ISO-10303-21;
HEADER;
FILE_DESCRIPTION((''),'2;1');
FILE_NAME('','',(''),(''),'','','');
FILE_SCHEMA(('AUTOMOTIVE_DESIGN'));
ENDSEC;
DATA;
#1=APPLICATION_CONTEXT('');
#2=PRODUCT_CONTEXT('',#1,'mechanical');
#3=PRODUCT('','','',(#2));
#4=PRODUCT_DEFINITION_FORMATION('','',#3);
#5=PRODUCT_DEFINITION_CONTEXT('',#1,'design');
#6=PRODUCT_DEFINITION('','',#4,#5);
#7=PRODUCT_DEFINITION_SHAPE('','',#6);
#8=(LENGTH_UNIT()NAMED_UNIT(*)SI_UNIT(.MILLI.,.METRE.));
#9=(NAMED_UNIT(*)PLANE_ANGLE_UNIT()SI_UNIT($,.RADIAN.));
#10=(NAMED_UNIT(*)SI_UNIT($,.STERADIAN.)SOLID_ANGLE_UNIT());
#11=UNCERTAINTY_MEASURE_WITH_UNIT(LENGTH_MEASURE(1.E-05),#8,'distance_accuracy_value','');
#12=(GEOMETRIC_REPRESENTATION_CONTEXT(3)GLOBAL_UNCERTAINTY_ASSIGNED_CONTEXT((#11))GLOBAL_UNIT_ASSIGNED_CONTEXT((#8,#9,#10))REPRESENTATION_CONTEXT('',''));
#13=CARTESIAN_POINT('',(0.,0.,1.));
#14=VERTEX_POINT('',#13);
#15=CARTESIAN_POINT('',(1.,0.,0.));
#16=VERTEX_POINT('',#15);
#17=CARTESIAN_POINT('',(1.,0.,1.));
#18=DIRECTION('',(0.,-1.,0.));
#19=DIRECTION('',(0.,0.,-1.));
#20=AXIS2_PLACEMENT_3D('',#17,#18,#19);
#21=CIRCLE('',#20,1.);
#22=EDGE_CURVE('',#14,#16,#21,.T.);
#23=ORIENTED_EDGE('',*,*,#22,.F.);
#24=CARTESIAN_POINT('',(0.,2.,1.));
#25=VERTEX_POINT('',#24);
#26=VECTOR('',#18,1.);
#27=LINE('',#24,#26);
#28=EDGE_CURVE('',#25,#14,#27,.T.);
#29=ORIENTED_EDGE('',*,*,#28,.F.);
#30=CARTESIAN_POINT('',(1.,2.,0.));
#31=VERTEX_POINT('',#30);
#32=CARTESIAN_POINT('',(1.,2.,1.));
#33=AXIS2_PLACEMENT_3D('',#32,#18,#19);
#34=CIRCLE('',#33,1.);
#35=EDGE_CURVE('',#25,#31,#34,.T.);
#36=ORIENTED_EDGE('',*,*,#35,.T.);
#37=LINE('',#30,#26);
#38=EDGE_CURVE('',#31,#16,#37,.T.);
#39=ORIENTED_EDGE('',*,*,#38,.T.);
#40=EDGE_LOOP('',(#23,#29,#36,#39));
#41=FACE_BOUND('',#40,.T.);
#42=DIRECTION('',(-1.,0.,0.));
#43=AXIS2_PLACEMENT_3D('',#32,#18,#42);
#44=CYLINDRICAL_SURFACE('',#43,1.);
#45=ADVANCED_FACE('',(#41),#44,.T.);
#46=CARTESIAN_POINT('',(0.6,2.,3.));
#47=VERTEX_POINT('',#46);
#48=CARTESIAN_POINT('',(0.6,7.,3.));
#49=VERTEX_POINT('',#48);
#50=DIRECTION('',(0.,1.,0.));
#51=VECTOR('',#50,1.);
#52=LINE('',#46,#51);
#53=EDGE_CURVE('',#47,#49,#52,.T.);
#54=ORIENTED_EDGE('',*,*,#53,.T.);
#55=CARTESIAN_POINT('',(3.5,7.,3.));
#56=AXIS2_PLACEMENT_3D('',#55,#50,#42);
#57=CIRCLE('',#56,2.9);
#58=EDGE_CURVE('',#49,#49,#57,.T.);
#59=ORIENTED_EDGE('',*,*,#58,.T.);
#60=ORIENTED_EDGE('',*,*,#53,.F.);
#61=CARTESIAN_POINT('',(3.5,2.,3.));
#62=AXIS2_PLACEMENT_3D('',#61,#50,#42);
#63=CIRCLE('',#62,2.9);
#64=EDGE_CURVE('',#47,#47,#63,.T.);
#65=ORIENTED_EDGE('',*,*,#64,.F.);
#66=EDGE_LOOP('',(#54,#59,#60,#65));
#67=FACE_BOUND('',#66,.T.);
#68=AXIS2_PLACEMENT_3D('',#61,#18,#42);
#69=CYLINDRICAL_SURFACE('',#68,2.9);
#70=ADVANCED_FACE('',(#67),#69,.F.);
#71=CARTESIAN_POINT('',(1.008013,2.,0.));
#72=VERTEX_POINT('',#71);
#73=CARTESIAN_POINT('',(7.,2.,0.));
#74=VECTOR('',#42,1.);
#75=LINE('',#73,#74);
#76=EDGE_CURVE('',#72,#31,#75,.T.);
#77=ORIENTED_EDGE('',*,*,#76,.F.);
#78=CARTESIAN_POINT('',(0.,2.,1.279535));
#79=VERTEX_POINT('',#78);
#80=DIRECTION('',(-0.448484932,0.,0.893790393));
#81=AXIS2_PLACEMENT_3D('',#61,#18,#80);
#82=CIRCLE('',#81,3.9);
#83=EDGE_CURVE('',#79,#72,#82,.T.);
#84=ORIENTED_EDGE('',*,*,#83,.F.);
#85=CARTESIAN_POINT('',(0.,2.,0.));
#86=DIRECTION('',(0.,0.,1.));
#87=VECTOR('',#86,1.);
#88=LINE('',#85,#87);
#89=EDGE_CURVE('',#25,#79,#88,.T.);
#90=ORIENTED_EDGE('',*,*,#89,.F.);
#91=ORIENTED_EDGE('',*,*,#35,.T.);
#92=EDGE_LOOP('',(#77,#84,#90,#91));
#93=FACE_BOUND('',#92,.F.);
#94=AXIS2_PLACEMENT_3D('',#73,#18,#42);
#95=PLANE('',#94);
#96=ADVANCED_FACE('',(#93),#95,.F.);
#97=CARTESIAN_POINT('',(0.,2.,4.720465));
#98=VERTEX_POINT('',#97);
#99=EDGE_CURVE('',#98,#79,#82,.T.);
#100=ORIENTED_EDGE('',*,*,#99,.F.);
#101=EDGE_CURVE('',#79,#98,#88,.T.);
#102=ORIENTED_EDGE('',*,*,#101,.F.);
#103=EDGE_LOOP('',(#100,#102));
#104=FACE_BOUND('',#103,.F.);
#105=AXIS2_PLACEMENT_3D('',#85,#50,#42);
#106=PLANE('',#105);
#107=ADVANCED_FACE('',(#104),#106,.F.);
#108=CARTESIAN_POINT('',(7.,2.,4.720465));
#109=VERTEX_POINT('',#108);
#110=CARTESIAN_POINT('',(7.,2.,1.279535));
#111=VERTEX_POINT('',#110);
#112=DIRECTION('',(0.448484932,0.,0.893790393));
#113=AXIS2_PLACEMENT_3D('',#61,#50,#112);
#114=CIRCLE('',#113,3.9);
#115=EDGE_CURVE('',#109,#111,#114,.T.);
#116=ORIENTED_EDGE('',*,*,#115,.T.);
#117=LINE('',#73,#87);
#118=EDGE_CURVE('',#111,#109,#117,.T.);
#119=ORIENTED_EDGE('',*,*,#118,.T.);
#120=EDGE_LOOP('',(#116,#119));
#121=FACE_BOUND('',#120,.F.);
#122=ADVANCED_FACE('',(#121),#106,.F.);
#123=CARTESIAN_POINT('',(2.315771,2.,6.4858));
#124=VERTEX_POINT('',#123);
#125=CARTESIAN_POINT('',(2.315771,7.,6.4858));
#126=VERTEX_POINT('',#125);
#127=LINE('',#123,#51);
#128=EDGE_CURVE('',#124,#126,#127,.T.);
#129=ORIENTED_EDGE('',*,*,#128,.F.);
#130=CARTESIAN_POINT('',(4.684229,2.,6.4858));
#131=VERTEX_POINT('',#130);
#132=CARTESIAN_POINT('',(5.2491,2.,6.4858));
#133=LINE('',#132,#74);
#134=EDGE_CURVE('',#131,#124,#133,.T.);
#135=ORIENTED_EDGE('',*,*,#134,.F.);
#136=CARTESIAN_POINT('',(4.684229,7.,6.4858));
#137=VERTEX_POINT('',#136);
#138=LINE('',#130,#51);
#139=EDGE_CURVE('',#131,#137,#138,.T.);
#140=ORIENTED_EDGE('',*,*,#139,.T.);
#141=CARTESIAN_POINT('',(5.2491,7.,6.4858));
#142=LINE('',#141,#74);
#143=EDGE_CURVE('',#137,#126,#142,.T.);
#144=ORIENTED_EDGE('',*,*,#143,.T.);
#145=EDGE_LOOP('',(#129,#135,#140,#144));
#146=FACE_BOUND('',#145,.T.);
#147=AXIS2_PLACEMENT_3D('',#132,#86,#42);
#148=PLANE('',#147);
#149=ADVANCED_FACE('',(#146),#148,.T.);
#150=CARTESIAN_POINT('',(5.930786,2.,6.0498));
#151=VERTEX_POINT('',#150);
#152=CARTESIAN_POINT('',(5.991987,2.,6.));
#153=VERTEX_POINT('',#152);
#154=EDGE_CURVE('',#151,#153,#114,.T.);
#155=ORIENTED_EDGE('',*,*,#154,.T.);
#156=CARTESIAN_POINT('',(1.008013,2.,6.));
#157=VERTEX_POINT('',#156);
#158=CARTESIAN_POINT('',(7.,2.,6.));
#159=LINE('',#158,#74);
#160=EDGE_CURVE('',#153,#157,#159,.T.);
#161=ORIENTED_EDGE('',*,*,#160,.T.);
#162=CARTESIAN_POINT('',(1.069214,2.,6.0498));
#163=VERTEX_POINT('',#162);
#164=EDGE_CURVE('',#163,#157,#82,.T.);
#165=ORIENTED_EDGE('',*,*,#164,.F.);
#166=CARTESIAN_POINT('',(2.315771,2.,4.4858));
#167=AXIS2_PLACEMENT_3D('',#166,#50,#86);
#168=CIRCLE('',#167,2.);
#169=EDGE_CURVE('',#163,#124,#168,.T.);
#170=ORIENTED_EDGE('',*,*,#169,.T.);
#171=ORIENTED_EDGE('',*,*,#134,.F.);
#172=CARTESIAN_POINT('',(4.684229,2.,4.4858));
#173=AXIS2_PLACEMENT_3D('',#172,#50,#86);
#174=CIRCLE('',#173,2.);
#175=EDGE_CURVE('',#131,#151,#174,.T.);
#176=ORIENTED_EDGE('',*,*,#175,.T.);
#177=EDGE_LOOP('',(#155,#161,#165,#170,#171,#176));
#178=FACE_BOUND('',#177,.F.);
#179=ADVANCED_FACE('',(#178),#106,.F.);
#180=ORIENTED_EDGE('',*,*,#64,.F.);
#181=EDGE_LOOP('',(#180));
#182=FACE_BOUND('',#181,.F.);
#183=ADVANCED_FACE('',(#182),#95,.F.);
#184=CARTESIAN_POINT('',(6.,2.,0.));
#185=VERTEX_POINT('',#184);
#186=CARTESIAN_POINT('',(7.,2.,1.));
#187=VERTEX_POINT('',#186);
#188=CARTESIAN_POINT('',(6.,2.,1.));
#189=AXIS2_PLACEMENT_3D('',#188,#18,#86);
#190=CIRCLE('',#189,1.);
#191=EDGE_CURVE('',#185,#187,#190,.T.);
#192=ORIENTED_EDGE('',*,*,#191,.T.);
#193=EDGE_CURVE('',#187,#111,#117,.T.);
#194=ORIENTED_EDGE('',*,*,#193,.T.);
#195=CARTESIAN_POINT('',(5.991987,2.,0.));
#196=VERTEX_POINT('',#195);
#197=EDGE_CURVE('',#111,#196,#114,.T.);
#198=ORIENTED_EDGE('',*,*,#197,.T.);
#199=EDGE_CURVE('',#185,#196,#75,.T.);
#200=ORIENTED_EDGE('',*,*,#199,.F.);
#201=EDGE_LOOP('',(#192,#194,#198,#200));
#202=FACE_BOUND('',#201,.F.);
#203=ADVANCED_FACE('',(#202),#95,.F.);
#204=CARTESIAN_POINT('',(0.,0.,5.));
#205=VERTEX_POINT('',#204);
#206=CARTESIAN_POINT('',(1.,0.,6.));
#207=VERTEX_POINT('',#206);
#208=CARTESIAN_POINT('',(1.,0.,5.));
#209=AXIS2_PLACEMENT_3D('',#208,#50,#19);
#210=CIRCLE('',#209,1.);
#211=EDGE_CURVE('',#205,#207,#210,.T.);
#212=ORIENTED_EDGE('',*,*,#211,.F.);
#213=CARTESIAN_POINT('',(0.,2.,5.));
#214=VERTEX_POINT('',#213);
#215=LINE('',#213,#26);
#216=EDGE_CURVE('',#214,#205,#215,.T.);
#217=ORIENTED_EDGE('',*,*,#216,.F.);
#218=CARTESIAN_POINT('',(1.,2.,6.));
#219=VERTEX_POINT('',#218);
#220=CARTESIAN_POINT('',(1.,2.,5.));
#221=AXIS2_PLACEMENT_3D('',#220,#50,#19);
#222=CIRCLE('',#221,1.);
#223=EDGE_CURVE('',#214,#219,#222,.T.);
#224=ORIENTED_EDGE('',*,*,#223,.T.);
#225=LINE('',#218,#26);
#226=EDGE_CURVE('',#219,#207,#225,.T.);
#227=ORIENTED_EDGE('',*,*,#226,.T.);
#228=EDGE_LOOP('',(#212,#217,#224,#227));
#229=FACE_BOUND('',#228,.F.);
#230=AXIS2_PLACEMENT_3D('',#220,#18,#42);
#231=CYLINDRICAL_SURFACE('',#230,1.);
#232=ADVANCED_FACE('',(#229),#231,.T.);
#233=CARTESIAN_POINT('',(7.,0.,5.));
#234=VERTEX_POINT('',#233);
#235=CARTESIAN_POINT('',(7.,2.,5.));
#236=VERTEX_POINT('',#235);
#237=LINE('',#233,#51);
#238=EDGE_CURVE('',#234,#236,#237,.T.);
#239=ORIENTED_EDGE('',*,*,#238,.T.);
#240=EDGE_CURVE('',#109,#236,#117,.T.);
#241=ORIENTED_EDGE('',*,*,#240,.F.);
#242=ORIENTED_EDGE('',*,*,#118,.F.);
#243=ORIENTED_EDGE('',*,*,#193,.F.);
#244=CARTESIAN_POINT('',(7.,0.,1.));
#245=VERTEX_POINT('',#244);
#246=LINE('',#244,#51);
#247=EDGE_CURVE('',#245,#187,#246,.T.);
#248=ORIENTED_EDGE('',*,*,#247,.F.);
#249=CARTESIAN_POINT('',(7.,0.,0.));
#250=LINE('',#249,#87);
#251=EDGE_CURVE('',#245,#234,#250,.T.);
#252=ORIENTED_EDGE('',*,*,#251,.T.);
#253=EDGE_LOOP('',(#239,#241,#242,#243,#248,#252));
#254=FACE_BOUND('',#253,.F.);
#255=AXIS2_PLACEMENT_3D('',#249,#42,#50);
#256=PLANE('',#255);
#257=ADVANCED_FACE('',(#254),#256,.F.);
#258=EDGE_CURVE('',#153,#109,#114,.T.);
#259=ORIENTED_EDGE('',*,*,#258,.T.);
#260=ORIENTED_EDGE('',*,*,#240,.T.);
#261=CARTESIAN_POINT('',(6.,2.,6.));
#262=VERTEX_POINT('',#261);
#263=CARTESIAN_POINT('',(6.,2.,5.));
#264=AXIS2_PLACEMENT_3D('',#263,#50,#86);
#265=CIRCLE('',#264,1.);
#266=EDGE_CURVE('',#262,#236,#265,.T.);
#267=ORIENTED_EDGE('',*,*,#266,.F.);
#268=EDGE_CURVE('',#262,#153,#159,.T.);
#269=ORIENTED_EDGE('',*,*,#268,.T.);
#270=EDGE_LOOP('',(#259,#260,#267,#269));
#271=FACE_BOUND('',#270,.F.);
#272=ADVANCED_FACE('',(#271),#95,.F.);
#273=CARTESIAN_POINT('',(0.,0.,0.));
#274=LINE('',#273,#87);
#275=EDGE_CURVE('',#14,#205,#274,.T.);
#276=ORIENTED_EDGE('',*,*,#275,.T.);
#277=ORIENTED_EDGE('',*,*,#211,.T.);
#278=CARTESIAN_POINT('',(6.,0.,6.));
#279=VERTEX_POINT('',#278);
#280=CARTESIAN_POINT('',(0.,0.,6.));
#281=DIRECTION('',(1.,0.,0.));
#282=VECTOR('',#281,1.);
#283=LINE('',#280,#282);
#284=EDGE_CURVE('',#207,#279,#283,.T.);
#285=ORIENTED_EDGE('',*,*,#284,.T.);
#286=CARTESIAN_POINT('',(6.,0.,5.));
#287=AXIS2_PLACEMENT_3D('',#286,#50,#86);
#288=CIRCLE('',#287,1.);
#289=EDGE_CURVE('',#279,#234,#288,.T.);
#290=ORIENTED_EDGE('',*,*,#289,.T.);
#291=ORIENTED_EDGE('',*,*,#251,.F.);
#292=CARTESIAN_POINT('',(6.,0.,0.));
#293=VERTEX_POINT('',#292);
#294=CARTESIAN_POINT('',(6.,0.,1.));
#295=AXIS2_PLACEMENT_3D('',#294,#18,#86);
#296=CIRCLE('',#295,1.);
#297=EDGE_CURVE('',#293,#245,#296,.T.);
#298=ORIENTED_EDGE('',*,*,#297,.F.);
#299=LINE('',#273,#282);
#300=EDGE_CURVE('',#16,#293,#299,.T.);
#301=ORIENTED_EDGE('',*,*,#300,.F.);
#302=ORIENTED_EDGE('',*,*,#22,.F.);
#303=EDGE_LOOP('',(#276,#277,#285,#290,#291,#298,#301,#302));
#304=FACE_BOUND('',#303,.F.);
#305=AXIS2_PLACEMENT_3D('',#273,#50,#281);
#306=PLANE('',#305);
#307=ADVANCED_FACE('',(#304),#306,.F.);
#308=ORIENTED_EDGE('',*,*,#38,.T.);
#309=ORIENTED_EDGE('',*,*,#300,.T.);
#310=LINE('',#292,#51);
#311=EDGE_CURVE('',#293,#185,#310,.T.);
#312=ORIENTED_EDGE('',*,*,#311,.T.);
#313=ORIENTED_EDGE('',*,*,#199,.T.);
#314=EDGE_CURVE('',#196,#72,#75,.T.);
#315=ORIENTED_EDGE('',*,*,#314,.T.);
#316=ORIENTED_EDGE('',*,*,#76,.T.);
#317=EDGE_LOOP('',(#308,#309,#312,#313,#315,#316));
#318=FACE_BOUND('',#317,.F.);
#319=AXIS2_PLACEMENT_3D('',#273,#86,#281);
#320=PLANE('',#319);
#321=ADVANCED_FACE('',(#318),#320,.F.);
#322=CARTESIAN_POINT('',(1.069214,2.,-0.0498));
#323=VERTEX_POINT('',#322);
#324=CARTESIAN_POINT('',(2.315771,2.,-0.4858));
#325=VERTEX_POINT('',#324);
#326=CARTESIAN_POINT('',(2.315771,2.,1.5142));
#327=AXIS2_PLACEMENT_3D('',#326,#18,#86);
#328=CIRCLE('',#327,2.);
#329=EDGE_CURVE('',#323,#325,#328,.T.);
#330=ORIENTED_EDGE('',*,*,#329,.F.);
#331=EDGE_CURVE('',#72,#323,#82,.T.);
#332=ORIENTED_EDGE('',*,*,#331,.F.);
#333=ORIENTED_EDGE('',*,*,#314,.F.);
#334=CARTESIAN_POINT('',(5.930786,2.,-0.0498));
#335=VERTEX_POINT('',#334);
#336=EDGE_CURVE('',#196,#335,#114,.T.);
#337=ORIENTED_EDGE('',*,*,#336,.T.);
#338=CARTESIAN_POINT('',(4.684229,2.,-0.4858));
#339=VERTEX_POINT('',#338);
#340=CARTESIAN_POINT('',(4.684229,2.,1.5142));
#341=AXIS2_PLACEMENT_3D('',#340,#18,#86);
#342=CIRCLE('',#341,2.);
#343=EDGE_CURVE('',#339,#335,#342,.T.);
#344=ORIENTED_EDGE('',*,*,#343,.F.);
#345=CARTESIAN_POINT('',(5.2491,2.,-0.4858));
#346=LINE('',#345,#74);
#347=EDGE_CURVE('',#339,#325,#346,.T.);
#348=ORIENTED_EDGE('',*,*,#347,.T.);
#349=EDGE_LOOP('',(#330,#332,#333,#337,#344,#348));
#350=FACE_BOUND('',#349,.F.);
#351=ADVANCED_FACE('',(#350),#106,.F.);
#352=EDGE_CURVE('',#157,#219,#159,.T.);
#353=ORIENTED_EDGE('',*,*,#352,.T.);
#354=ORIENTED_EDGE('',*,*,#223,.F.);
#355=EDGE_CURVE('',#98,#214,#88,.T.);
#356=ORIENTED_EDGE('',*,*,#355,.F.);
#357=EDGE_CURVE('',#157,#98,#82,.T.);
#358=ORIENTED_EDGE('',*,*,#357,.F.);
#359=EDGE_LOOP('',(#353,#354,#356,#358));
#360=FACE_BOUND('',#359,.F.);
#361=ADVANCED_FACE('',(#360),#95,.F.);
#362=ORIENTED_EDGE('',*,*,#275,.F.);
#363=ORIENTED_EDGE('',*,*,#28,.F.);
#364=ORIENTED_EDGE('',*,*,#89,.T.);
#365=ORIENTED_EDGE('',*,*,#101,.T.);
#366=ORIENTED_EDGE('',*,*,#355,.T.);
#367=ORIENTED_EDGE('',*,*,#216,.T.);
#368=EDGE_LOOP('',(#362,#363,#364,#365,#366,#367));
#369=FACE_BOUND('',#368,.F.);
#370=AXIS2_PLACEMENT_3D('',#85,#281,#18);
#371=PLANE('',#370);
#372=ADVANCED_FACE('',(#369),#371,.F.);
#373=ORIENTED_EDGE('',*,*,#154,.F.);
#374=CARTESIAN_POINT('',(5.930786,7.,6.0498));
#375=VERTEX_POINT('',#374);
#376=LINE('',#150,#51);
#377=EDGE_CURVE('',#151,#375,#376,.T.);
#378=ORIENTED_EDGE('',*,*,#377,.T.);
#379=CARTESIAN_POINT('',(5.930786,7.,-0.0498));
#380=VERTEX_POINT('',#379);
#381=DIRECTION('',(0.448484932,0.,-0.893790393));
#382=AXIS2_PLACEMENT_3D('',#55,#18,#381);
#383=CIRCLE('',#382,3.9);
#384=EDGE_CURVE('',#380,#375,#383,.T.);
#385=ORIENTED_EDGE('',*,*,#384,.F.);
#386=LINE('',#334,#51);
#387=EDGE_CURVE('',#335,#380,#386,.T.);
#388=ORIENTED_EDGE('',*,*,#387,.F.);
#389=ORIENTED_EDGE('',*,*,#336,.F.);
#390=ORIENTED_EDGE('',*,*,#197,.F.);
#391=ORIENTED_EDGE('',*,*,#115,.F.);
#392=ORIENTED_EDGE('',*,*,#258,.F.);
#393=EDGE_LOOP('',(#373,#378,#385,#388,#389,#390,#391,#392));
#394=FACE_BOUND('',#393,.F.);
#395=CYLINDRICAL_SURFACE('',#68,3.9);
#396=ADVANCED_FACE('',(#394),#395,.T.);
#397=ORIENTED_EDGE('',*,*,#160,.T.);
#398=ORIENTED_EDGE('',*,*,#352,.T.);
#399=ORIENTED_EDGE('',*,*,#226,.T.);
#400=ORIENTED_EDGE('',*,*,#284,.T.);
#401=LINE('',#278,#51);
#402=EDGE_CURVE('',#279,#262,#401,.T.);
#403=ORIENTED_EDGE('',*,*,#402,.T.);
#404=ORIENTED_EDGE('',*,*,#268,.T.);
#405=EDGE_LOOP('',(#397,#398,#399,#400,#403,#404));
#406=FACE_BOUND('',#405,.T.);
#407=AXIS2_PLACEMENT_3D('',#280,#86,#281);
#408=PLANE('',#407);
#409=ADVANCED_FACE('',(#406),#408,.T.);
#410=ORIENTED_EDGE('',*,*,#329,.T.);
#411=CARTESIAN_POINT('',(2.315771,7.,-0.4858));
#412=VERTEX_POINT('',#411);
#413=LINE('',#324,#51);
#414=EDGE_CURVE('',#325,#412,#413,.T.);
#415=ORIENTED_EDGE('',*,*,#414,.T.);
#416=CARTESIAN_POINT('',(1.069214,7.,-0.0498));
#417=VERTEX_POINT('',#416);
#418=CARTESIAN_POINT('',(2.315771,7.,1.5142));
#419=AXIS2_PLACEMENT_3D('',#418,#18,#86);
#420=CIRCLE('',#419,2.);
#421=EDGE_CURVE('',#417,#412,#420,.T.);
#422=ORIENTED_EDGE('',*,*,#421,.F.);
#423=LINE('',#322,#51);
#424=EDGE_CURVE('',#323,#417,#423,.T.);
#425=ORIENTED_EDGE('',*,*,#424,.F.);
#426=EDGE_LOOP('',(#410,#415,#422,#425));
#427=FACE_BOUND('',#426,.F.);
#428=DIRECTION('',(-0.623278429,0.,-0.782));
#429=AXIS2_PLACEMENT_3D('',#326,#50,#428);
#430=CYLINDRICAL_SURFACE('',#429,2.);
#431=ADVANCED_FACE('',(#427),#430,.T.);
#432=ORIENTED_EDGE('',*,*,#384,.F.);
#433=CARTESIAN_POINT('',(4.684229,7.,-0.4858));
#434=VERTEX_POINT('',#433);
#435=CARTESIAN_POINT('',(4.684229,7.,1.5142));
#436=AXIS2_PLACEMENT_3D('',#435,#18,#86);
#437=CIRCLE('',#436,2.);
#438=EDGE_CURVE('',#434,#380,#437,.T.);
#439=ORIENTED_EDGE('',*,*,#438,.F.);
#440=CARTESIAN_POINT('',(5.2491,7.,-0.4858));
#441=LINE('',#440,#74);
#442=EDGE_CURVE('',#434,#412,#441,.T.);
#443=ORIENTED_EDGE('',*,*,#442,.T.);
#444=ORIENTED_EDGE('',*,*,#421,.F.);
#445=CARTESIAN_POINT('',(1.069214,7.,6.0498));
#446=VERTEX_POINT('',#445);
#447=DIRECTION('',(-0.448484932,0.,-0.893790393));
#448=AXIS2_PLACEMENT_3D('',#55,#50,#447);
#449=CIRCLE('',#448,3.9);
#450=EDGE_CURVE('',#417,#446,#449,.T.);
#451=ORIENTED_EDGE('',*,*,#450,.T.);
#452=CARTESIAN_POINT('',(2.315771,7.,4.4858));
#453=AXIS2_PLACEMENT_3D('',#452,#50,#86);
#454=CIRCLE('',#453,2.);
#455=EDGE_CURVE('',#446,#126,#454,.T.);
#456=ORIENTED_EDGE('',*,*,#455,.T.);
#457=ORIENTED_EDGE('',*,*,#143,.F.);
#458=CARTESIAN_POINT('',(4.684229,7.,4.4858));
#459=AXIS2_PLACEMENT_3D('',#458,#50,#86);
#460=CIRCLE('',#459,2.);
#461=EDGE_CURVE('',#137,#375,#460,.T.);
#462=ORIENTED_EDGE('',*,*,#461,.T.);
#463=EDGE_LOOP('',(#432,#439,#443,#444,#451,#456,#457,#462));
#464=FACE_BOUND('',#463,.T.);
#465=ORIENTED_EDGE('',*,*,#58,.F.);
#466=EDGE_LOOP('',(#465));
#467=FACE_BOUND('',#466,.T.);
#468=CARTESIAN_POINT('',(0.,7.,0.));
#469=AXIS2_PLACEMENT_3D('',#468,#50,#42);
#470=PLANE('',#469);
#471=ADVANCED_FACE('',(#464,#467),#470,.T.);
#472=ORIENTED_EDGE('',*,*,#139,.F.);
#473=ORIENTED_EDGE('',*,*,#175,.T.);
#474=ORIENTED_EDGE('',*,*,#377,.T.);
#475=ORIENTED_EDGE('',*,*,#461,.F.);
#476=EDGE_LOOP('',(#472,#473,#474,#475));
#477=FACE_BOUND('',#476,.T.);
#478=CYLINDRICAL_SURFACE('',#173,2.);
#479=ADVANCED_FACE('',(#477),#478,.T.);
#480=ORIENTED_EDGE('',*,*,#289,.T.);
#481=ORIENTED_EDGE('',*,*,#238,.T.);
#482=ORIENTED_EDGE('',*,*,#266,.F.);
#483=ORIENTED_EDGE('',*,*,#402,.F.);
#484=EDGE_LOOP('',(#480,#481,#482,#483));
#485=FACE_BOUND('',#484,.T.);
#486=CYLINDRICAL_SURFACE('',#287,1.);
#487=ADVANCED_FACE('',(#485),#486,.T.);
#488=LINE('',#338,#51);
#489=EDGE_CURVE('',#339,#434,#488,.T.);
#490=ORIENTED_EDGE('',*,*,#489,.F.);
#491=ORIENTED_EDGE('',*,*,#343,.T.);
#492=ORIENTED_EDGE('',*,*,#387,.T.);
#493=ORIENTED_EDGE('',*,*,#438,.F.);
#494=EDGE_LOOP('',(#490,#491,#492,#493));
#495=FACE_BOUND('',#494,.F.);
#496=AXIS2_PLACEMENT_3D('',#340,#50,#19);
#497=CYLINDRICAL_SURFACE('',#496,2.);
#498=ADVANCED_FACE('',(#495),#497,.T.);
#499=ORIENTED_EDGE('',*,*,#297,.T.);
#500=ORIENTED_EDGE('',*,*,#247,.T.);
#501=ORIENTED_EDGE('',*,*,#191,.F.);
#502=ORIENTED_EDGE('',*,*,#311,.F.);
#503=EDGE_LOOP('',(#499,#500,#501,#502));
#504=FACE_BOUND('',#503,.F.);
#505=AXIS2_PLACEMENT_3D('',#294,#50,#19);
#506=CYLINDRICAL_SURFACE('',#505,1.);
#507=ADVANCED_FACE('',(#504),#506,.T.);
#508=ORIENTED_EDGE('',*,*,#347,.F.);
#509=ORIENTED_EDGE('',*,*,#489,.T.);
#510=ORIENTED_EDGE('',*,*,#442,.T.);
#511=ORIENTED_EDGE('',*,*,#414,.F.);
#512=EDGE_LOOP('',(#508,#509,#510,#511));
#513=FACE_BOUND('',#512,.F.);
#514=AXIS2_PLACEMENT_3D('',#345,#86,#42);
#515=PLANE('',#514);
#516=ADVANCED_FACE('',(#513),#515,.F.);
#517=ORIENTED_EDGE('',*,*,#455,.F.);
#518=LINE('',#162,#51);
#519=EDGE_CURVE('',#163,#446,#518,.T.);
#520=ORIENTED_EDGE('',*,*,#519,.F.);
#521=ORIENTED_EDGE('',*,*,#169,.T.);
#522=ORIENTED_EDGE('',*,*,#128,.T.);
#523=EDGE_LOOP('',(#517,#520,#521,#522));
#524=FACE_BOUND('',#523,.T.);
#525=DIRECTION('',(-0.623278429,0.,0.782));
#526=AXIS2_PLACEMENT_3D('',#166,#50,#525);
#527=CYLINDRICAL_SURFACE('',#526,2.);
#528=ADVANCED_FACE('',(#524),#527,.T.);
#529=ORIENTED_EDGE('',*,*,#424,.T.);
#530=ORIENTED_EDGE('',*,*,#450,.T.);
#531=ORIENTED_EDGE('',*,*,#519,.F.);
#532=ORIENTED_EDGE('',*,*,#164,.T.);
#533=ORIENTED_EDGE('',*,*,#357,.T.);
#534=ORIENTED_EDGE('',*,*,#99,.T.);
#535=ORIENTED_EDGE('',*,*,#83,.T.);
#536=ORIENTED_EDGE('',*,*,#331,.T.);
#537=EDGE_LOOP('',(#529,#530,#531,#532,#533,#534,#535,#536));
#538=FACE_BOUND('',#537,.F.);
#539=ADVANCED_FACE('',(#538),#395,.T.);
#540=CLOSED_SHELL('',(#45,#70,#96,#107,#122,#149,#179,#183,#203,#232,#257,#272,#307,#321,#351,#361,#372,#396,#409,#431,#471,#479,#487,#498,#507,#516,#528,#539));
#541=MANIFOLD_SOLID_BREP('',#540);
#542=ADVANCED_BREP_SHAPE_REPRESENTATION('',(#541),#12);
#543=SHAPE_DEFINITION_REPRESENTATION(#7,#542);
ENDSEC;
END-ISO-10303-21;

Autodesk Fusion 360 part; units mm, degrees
sketch "Sketch1" plane through (0, 0, 0) normal (0, 0, 1) x (1, 0, 0)
  line L0 (0, 0) -> (7, 0)
  line L1 (7, 0) -> (7, 2)
  line L2 (7, 2) -> (0, 2)
  line L3 (0, 2) -> (0, 0)
  dimension "d1" = 7
  dimension "d2" = 2
extrude "Extrude1" add sketch "Sketch1" along normal blind 6
sketch "Sketch2" plane through (0, 2, 0) normal (0, 1, 0) x (-1, 0, 0)
  line L0 (-7, 0) -> (0, 0)
  line L1 (0, 0) -> (0, 6)
  line L2 (0, 6) -> (-7, 6)
  line L3 (-7, 6) -> (-7, 0)
  line L4 (-7, 3) -> (0, 3) construction
  line L5 (-3.5, 6) -> (-3.5, 0) construction
  circle A0 centre (-3.5, 3) radius 2.9
  circle A1 centre (-3.5, 3) radius 3.9
  line L6 (-5.2491, -0.4858) -> (-1.7509, -0.4858)
  line L7 (-5.2491, 6.4858) -> (-1.7509, 6.4858)
  dimension "d5" = 5.8
  dimension "d6" = 1
extrude "Extrude2" add sketch "Sketch2" along normal blind 5 contours L0 L1 L2 L3 A1 | L0 A1 L6 | L3 A1 | L1 A1 | L2 A1 L7
fillet "Fillet1" radius 1 4 edges at (0, 1, 6) (0, 1, 0) (7, 1, 0) (7, 1, 6)
fillet "Fillet2" radius 2 4 edges at (1.7509, 4.5, 6.4858) (5.2491, 4.5, 6.4858) (5.2491, 4.5, -0.4858) (1.7509, 4.5, -0.4858)
